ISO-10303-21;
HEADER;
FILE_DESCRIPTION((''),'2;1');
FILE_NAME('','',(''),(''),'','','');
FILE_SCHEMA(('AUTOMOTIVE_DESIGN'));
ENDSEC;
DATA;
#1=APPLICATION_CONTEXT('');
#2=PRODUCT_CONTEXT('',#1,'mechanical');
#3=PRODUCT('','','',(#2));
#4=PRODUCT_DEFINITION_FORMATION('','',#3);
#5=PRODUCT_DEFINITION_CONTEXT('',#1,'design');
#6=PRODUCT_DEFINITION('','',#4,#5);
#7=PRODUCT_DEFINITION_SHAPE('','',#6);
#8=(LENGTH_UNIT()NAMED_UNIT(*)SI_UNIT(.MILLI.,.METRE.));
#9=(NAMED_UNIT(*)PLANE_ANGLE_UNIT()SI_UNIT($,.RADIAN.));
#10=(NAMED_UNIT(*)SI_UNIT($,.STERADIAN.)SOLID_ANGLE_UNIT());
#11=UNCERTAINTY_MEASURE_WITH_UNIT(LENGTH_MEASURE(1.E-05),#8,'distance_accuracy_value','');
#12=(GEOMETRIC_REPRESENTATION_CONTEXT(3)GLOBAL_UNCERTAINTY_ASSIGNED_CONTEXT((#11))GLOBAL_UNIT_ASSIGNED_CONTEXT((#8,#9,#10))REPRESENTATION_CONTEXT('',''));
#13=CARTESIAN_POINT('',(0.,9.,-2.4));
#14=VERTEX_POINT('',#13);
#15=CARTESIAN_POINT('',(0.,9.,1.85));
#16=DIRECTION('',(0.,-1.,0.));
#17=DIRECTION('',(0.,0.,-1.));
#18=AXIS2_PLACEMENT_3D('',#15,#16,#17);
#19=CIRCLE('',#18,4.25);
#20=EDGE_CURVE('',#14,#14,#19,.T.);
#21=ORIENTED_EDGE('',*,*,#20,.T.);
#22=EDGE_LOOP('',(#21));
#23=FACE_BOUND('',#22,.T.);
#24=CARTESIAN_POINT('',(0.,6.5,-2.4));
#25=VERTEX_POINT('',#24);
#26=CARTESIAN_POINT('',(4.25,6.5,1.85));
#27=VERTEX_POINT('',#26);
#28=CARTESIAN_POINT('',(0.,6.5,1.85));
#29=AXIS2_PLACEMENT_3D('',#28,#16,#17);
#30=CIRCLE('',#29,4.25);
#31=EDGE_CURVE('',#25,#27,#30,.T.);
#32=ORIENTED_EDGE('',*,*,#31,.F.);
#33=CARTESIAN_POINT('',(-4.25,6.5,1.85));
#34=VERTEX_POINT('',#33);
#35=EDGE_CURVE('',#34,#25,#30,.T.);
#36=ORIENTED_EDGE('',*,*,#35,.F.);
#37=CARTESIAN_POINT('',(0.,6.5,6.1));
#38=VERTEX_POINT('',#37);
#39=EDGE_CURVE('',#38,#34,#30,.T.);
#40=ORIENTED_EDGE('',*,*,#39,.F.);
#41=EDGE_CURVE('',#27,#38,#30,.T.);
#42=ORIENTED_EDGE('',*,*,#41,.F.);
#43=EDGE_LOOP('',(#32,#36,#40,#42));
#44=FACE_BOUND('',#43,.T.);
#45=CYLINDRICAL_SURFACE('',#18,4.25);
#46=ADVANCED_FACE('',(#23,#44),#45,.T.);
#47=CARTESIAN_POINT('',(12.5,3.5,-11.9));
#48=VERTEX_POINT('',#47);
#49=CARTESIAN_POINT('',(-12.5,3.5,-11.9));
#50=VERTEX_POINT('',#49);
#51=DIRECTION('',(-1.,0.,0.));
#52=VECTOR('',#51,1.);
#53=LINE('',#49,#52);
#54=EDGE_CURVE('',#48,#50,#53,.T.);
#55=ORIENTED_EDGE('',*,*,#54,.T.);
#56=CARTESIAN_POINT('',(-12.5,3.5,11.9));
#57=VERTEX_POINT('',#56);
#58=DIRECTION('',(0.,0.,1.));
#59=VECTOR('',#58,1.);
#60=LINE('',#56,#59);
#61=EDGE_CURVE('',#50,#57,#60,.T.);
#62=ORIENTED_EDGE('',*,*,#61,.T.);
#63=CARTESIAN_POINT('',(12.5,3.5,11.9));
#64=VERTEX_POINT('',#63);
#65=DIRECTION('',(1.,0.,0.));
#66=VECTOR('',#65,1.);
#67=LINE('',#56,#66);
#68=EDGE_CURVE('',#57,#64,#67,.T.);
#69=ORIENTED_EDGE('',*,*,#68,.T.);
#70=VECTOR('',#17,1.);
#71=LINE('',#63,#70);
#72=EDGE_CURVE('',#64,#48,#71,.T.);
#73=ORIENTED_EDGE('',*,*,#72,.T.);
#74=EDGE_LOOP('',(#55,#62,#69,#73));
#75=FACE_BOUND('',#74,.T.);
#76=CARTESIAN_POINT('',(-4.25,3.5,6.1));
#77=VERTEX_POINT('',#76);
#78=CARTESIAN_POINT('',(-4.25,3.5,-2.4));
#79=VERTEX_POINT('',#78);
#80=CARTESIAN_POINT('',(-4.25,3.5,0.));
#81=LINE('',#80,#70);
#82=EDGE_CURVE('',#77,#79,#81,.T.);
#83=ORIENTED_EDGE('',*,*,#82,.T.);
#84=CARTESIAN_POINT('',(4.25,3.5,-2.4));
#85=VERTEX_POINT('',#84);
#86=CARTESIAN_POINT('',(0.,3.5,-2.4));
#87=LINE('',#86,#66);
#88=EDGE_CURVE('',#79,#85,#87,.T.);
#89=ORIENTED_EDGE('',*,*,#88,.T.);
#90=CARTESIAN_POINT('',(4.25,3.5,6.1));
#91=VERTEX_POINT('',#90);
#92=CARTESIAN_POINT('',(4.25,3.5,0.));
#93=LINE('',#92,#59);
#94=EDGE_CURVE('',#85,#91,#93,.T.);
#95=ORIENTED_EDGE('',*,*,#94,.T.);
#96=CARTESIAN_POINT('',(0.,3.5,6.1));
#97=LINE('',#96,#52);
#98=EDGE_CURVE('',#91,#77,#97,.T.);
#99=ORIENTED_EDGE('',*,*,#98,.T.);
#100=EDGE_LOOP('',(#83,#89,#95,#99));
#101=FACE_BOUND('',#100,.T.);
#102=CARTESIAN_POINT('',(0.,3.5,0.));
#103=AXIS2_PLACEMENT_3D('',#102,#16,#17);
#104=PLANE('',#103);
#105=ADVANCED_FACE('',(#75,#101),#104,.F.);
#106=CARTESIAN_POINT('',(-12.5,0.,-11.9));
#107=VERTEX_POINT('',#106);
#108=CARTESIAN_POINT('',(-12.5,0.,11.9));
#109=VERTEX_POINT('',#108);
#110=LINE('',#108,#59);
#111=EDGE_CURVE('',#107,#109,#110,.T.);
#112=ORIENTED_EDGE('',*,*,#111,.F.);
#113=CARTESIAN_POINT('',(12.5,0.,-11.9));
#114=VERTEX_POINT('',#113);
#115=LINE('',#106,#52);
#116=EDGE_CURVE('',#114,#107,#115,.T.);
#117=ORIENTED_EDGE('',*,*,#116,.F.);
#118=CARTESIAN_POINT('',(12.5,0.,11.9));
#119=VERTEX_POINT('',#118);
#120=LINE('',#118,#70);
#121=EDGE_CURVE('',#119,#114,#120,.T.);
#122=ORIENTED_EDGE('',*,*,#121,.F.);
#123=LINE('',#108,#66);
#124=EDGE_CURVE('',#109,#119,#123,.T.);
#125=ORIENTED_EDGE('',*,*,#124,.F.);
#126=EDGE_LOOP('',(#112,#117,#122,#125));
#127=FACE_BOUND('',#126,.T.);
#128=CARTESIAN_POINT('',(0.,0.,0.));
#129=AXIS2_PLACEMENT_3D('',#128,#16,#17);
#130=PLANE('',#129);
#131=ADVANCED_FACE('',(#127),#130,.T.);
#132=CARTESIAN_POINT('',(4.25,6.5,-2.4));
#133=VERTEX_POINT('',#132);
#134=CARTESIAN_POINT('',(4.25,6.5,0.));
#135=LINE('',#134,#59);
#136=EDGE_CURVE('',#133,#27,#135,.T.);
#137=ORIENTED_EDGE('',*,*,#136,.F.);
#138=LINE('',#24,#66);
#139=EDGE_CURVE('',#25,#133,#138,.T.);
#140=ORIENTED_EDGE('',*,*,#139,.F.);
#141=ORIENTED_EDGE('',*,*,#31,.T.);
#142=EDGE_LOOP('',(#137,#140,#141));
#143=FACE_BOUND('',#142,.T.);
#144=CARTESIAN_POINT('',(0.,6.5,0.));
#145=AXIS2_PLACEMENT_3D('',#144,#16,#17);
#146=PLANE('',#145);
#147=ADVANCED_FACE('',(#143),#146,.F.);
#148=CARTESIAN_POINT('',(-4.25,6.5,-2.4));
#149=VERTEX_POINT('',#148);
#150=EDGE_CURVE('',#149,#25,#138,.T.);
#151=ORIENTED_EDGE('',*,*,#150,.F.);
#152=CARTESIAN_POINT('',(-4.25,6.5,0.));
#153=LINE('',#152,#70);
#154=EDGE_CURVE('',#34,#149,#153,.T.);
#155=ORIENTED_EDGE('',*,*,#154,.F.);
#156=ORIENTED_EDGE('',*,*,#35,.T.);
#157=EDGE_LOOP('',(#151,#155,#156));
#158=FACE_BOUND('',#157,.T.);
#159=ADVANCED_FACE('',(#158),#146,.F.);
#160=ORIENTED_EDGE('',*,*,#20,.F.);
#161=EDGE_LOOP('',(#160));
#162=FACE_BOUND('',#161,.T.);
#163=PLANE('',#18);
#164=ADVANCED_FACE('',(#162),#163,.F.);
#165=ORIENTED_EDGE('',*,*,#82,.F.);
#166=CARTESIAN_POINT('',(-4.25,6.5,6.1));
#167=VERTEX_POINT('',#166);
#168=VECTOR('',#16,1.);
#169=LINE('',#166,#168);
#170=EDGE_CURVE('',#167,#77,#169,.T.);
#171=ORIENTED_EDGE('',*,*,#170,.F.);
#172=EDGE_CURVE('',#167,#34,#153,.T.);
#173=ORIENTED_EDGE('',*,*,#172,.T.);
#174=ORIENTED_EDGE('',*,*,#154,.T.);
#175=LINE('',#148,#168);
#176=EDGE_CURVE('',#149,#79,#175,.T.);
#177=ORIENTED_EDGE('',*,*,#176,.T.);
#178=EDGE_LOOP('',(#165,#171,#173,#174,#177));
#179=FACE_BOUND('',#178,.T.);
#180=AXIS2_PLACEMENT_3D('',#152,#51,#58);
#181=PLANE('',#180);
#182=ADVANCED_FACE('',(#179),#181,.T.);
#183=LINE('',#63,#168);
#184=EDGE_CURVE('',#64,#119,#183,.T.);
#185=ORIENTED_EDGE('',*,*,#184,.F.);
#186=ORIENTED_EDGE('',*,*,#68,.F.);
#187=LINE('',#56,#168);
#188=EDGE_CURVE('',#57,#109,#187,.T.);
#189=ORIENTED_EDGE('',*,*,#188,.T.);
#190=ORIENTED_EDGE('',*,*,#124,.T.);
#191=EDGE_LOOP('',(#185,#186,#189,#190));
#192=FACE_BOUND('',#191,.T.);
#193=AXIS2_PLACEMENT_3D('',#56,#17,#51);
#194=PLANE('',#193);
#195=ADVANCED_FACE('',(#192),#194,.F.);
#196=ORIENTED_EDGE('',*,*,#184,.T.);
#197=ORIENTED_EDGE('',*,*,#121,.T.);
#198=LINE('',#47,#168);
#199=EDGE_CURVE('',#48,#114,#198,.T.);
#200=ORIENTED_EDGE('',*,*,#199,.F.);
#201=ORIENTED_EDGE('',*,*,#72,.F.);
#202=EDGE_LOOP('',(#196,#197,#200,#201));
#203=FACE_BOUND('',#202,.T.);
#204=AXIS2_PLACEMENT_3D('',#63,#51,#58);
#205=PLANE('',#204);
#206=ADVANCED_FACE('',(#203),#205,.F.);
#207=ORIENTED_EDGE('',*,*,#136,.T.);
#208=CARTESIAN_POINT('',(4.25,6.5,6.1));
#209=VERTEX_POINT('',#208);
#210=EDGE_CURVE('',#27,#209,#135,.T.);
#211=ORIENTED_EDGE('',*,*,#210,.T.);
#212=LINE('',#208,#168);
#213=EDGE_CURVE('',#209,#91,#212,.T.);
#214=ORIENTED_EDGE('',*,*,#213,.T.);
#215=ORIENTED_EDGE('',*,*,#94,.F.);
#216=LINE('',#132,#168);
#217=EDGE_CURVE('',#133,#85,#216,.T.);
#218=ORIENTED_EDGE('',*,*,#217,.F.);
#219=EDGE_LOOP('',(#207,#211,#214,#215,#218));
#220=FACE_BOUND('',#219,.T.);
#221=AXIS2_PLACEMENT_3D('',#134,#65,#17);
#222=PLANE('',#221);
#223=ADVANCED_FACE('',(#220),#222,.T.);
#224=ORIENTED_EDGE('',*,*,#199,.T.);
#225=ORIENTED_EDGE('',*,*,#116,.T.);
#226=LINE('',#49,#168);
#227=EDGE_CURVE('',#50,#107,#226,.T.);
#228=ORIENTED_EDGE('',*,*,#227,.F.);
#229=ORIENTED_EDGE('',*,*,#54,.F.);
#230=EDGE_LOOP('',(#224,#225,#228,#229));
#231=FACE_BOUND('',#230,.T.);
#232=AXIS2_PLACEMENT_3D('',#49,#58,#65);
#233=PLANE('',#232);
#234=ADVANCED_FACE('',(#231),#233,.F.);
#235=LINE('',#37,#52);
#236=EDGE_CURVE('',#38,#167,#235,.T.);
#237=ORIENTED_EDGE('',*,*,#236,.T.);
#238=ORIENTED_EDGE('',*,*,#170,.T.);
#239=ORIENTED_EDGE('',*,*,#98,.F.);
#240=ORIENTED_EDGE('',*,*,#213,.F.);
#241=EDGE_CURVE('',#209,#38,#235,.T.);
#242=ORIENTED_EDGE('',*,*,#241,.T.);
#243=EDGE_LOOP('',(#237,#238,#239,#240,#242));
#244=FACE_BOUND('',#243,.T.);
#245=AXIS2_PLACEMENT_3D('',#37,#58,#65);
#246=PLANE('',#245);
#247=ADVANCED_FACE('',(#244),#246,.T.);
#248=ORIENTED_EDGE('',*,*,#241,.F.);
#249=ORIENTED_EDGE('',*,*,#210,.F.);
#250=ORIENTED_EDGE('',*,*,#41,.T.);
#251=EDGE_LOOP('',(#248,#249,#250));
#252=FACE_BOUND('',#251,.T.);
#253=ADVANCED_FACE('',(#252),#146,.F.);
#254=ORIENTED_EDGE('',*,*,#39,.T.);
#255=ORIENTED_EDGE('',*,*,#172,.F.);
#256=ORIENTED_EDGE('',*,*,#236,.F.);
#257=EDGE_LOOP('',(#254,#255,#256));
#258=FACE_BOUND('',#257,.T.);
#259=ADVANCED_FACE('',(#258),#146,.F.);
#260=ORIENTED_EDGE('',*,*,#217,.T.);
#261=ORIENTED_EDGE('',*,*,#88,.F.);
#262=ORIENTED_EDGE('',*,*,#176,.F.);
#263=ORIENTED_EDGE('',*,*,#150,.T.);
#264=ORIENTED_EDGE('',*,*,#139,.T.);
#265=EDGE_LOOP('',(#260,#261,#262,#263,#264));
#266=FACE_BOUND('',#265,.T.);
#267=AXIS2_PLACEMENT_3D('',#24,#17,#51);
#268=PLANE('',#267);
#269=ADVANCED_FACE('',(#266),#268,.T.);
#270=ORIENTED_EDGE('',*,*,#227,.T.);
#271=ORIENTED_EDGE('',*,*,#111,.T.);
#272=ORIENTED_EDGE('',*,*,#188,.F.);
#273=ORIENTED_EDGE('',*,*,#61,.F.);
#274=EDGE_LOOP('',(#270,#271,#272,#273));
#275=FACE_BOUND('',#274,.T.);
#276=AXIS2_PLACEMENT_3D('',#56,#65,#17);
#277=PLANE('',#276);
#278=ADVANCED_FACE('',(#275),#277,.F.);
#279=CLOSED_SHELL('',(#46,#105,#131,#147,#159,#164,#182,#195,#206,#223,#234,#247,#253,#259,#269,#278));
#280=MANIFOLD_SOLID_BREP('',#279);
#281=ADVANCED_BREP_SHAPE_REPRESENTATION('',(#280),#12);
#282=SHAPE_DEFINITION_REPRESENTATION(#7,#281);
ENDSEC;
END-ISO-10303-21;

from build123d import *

# Parameters (mm, degrees)
SKETCH1_W           = 25
SKETCH1_H           = 23.8
BOSS_EXTRUDE1_DEPTH = 3.5
BOSS_EXTRUDE2_START = -3.5
SKETCH2_W           = 8.5
SKETCH2_H           = 8.5
BOSS_EXTRUDE2_DEPTH = 6.5
BOSS_EXTRUDE3_START = -6.5
SKETCH3_R           = 4.25
BOSS_EXTRUDE3_DEPTH = 9


with BuildPart() as part:
    # Sketch1 → Boss-Extrude1 (new body)
    with BuildSketch(Plane(origin=(0, 0, 0), x_dir=(1, 0, 0), z_dir=(0, 1, 0))):
        Rectangle(SKETCH1_W, SKETCH1_H)
    extrude(amount=BOSS_EXTRUDE1_DEPTH)

    # Sketch2 → Boss-Extrude2 (add)
    with BuildSketch(Plane(origin=(0, 3.5, 0), x_dir=(1, 0, 0), z_dir=(0, 1, 0)).offset(BOSS_EXTRUDE2_START)):
        with Locations((0, -1.85)):
            Rectangle(SKETCH2_W, SKETCH2_H)
    extrude(amount=BOSS_EXTRUDE2_DEPTH)

    # Sketch3 → Boss-Extrude3 (add)
    with BuildSketch(Plane(origin=(0, 6.5, 0), x_dir=(1, 0, 0), z_dir=(0, 1, 0)).offset(BOSS_EXTRUDE3_START)):
        with Locations((0, -1.85)):
            Circle(SKETCH3_R)
    extrude(amount=BOSS_EXTRUDE3_DEPTH)


solid = part.part
